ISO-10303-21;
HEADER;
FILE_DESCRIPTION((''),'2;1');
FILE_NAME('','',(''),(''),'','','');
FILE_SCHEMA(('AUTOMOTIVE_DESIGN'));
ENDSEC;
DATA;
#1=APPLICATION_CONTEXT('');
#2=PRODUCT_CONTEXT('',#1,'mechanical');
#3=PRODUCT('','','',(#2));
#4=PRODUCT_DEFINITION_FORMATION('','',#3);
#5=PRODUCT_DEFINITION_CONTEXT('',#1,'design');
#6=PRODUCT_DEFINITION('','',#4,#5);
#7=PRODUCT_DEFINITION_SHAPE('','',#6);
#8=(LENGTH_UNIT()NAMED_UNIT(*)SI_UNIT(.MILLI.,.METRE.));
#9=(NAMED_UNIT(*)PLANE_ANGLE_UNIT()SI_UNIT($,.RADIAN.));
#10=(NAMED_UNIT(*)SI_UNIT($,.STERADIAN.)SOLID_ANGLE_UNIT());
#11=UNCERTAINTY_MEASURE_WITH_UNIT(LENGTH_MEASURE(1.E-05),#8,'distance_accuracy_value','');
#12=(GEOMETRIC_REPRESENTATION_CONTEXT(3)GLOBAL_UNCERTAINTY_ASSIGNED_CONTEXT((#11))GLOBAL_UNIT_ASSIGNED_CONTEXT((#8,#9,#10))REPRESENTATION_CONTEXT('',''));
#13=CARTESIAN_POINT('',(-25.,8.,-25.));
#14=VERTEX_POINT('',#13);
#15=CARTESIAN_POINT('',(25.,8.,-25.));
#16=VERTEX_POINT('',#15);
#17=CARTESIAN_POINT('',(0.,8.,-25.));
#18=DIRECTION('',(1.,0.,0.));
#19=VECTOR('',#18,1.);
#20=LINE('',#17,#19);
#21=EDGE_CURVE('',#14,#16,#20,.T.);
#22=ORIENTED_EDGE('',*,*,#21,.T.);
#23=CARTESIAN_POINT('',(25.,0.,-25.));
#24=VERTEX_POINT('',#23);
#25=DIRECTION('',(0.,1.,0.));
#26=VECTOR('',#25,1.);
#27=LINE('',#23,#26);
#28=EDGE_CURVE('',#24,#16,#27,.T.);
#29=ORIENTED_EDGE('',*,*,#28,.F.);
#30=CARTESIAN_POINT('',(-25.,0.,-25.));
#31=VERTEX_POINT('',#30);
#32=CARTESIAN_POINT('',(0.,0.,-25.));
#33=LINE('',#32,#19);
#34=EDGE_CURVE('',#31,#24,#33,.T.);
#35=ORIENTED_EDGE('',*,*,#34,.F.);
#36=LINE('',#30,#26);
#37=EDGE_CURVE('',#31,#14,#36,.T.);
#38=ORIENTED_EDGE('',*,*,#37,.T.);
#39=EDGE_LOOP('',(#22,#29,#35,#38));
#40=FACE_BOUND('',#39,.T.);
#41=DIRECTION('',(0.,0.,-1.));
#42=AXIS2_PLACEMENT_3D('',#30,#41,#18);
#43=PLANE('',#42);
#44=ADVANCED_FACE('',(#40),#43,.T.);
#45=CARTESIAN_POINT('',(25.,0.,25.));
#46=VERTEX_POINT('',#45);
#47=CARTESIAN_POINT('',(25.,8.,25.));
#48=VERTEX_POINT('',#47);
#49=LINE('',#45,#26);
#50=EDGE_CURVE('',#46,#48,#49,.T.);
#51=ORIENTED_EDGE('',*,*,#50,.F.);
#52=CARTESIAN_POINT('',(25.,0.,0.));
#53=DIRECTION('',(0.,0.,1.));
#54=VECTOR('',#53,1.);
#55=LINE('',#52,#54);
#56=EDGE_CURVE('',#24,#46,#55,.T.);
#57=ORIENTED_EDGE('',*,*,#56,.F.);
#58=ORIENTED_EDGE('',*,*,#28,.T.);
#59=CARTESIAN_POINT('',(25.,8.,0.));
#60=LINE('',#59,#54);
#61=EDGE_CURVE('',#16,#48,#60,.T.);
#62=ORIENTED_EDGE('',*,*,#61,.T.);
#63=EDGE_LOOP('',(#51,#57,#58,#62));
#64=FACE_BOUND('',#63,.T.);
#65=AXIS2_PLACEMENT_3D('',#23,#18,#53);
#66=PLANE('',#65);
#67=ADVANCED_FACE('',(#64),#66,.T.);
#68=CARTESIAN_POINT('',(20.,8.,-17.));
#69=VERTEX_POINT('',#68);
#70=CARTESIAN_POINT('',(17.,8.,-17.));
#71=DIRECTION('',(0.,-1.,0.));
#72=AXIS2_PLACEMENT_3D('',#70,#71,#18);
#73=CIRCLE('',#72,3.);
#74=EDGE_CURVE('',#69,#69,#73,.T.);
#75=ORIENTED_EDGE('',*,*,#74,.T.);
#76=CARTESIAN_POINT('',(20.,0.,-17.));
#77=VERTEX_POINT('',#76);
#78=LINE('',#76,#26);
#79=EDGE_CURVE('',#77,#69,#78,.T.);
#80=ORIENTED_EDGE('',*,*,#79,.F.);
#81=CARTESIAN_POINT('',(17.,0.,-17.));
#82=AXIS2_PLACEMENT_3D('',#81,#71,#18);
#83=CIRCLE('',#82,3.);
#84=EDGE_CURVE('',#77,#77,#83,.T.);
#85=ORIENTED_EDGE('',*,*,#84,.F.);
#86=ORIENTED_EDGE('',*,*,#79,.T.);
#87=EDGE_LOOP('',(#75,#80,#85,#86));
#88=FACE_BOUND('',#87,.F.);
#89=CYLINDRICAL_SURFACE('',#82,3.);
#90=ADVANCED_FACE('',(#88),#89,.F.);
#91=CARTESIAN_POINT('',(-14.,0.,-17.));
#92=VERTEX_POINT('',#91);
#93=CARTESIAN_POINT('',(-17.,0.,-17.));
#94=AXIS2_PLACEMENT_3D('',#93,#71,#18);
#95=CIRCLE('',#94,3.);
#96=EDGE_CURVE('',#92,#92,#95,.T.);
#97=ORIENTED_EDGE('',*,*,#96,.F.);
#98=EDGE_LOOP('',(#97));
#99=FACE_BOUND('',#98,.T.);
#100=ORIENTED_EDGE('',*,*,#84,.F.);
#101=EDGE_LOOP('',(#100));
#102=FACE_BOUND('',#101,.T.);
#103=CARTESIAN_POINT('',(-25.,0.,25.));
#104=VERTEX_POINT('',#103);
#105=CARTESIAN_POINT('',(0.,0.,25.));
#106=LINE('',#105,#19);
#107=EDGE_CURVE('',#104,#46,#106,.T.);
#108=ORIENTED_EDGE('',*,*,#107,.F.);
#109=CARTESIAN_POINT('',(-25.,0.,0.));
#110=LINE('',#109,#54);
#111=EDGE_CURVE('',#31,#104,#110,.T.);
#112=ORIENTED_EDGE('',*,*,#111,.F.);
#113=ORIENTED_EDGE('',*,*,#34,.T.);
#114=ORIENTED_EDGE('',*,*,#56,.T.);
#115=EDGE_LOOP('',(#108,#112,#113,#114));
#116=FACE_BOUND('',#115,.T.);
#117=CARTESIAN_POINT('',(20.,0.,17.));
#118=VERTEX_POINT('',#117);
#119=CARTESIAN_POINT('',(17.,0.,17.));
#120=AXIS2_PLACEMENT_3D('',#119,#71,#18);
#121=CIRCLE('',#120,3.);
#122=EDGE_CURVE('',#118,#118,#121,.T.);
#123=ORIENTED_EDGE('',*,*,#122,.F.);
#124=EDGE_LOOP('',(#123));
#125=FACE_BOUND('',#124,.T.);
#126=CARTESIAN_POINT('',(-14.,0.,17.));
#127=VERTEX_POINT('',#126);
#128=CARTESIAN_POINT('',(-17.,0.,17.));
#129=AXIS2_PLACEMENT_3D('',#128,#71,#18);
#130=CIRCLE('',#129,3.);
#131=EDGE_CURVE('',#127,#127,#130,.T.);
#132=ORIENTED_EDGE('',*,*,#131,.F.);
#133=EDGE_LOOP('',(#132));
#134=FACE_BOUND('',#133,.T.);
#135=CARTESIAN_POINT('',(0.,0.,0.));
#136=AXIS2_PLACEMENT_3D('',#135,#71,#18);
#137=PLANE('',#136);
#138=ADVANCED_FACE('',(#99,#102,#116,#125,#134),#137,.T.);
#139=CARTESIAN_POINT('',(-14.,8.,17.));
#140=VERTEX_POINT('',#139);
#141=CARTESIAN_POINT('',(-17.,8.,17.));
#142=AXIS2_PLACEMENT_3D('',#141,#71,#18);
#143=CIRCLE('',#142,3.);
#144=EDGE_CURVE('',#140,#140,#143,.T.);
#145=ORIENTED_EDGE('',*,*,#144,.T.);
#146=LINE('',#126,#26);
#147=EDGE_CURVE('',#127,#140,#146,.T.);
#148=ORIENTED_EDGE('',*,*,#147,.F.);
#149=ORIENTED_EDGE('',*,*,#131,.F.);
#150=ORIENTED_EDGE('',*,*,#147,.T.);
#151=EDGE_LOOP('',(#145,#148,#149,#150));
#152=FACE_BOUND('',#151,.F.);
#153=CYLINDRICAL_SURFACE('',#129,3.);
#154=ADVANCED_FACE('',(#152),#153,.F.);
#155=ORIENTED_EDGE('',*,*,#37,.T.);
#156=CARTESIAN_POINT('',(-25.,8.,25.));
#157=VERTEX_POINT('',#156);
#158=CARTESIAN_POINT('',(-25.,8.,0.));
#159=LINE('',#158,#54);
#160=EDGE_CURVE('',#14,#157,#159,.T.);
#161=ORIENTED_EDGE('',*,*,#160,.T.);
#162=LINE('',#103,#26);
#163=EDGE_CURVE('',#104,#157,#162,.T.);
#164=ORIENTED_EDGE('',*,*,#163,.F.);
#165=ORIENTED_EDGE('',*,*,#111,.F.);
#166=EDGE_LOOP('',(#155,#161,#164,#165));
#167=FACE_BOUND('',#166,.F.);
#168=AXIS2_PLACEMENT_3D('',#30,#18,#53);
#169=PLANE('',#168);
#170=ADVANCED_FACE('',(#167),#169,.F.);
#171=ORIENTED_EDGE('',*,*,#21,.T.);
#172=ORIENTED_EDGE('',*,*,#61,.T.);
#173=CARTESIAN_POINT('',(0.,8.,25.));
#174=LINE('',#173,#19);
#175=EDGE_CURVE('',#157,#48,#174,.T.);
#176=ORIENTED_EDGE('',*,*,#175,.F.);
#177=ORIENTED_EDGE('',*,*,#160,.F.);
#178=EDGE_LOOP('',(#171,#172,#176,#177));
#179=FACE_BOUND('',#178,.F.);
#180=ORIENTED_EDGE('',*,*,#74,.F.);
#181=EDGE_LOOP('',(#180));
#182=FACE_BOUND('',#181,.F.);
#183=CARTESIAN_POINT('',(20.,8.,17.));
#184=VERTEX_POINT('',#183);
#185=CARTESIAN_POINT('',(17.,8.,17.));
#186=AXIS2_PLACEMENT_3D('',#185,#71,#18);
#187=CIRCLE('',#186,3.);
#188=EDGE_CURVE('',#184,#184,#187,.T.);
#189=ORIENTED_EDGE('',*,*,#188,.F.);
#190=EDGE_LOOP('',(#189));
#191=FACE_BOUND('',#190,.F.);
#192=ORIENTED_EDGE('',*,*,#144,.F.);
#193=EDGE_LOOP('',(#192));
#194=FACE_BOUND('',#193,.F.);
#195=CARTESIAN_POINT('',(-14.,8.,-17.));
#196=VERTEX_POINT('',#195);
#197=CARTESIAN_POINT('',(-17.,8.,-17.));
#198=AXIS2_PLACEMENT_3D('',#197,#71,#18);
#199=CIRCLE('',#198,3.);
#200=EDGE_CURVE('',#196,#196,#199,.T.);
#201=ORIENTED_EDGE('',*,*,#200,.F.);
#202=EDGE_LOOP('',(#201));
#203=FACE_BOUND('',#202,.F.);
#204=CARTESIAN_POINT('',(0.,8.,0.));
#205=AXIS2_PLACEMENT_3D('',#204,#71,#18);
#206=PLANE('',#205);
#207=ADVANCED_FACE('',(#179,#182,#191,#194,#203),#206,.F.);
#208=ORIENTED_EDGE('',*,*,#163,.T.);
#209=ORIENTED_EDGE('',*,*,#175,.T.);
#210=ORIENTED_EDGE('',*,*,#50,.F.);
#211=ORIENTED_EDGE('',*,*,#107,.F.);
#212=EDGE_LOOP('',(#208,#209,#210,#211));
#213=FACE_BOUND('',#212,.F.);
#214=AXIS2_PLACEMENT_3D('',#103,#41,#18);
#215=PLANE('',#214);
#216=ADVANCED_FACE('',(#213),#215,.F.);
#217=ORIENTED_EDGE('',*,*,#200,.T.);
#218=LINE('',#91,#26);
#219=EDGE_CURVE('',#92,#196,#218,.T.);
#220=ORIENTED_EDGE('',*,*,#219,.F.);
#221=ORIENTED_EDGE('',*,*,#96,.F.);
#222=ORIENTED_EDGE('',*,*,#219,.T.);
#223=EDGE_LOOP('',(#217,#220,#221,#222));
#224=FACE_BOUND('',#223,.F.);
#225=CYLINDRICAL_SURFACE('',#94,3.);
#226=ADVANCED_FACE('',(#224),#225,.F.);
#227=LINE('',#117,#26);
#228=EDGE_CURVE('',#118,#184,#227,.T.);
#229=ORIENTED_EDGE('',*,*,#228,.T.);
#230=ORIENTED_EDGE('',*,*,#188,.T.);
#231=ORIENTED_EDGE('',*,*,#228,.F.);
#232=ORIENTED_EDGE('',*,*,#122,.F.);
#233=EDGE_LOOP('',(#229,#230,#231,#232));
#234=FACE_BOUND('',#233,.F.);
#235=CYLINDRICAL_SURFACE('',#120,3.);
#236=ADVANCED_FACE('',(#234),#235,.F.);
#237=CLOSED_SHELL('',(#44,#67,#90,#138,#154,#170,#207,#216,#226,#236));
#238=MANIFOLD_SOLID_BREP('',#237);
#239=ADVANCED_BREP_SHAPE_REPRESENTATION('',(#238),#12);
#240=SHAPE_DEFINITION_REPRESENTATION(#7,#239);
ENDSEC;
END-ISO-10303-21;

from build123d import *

# Parameters (mm, degrees)
F0_W     = 50
F0_H     = 50
F1_DEPTH = 8
F2_R     = 3
F3_DEPTH = 8.001


with BuildPart() as f1:
    # F0 (on Front) → F1 (new body)
    with BuildSketch(Plane.XZ):
        Rectangle(F0_W, F0_H)
    extrude(amount=-F1_DEPTH)

    # F2 (on face) → F3 (cut, through all)
    with BuildSketch(Plane.XZ):
        with Locations((17, 17)):
            Circle(F2_R)
        with Locations((-17, 17)):
            Circle(F2_R)
        with Locations((17, -17)):
            Circle(F2_R)
        with Locations((-17, -17)):
            Circle(F2_R)
    extrude(amount=-F3_DEPTH, mode=Mode.SUBTRACT)


solid = f1.part
